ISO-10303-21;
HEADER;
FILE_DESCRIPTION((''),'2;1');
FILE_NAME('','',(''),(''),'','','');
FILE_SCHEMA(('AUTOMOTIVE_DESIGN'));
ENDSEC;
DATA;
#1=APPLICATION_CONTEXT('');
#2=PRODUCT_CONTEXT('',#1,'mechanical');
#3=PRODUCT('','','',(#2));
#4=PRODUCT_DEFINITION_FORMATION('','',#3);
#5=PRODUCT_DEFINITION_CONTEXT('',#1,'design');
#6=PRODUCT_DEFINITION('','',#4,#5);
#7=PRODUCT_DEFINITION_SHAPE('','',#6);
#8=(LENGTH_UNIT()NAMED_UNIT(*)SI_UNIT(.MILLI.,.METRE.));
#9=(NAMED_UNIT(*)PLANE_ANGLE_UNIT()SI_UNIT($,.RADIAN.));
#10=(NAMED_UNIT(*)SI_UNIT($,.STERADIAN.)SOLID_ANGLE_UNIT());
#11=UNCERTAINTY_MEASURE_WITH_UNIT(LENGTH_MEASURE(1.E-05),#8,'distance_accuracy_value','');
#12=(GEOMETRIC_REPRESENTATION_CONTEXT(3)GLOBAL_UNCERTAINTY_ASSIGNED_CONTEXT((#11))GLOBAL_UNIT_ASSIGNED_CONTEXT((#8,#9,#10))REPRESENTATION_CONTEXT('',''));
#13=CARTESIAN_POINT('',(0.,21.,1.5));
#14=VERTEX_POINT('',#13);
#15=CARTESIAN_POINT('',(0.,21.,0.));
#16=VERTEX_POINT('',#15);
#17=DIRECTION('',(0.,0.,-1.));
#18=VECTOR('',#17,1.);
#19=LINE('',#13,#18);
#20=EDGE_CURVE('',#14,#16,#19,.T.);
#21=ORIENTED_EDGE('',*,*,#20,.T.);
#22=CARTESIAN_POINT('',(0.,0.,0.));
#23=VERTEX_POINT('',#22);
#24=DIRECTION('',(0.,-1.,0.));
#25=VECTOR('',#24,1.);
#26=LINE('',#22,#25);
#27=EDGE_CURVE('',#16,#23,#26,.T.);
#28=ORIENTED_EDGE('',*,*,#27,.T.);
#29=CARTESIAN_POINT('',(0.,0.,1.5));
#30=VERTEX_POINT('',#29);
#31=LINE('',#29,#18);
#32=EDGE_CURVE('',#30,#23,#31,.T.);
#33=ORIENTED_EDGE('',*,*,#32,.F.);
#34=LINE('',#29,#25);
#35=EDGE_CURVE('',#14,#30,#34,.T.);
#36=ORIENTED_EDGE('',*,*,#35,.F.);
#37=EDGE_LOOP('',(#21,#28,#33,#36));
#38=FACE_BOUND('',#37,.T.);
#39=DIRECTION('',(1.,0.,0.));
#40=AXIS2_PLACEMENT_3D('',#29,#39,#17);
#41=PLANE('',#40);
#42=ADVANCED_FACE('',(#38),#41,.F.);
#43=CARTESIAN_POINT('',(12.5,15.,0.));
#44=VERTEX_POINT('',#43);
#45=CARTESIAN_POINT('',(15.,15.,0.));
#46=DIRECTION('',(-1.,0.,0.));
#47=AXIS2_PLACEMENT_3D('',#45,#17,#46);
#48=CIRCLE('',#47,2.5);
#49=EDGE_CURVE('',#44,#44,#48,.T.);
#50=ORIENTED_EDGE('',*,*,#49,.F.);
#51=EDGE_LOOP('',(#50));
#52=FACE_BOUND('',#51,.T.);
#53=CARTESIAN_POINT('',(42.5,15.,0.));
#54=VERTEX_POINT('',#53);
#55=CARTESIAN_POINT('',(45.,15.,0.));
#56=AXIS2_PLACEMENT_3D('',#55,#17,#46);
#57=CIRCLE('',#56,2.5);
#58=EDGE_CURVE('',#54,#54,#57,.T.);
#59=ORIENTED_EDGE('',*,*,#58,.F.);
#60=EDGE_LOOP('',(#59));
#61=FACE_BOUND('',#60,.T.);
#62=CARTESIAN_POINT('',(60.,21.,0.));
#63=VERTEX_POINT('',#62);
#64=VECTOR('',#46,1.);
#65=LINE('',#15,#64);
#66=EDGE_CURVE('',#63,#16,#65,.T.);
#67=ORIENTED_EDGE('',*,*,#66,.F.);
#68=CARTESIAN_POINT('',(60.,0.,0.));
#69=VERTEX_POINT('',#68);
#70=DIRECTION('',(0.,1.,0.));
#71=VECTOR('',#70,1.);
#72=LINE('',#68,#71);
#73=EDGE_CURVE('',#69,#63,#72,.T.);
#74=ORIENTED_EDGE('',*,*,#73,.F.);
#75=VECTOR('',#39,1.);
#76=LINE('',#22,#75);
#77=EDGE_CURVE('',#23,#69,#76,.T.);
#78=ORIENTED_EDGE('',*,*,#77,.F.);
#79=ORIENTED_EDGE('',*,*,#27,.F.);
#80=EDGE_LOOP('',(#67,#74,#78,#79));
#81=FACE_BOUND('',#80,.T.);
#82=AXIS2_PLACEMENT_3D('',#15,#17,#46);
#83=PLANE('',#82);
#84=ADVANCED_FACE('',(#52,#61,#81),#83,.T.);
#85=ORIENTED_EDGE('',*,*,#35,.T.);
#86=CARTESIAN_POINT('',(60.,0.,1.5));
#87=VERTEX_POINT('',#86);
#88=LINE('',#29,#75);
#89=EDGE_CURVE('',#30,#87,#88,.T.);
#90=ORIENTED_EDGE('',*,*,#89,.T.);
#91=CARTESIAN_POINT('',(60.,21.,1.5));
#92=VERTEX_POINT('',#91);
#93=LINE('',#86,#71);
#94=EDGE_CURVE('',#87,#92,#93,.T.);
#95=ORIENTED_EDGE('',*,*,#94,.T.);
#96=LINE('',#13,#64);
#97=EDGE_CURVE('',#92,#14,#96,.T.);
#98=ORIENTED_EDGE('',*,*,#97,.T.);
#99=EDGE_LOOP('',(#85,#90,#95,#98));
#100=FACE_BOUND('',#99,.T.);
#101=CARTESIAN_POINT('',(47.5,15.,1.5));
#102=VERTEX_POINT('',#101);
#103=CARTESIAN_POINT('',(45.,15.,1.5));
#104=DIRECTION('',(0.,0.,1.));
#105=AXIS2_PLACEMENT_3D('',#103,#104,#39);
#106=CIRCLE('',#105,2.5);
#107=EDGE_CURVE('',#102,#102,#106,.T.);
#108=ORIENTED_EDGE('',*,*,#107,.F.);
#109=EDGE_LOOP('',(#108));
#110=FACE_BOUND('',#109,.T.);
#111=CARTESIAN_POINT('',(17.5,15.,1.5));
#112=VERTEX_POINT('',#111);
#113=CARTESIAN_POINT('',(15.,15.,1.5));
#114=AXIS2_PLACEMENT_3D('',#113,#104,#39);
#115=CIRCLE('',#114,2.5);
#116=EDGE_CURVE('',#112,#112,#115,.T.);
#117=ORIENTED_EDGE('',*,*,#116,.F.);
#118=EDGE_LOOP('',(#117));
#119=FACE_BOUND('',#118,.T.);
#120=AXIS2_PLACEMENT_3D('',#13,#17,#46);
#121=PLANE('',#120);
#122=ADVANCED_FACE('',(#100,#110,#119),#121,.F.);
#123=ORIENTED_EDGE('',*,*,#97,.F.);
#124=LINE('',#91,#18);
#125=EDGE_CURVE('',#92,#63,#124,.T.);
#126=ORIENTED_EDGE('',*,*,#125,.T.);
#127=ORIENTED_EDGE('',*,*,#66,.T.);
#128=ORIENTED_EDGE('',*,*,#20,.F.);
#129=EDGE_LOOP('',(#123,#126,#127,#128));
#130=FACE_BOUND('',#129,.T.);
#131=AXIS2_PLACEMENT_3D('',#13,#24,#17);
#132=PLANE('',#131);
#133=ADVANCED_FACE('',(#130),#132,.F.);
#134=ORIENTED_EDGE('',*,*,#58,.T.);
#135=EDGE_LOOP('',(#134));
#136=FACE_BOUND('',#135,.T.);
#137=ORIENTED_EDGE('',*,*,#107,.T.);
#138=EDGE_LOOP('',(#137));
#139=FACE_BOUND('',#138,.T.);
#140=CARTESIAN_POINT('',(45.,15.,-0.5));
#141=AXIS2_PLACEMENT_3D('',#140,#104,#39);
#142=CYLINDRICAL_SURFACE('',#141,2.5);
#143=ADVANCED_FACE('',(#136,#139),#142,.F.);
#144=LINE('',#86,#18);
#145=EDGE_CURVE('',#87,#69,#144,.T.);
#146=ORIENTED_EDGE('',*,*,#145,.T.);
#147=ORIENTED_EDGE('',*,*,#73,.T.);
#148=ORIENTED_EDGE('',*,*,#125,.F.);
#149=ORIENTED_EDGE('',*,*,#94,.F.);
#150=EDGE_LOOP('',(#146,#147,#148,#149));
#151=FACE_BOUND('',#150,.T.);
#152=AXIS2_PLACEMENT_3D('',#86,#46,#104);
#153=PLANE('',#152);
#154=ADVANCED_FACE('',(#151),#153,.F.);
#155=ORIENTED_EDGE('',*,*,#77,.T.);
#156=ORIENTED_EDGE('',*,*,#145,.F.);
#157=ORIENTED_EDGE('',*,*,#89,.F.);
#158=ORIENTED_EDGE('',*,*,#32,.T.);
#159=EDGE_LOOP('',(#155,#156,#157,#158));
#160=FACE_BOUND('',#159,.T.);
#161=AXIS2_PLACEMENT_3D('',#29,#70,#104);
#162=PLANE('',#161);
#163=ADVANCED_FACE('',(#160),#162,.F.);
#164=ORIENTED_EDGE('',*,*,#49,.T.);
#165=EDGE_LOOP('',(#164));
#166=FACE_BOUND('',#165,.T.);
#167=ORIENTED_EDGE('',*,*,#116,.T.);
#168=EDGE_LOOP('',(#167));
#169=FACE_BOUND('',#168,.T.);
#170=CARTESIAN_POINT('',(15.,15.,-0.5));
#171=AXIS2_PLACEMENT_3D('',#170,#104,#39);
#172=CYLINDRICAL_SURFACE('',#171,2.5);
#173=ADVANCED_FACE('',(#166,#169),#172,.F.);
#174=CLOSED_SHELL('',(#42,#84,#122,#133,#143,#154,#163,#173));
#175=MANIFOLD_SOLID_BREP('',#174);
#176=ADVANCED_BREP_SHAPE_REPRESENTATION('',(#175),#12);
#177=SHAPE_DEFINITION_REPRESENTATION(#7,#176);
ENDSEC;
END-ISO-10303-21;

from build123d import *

# Parameters (mm, degrees)
ESQUISSE1_W             = 60
ESQUISSE1_H             = 21
BASE_EXTRUSION_DEPTH    = 1.5
ESQUISSE2_R             = 2.5
ENL_V_MAT_EXTRU_1_DEPTH = 2


with BuildPart() as part:
    # Esquisse1 → Base-Extrusion (new body)
    with BuildSketch(Plane.XY):
        with Locations((30, 10.5)):
            Rectangle(ESQUISSE1_W, ESQUISSE1_H)
    extrude(amount=BASE_EXTRUSION_DEPTH)

    # Esquisse2 → Enlèv. mat.-Extru.1 (cut)
    with BuildSketch(Plane.XY.offset(1.5)):
        with Locations((15, 15)):
            Circle(ESQUISSE2_R)
        with Locations((45, 15)):
            Circle(ESQUISSE2_R)
    extrude(amount=-ENL_V_MAT_EXTRU_1_DEPTH, mode=Mode.SUBTRACT)


solid = part.part
